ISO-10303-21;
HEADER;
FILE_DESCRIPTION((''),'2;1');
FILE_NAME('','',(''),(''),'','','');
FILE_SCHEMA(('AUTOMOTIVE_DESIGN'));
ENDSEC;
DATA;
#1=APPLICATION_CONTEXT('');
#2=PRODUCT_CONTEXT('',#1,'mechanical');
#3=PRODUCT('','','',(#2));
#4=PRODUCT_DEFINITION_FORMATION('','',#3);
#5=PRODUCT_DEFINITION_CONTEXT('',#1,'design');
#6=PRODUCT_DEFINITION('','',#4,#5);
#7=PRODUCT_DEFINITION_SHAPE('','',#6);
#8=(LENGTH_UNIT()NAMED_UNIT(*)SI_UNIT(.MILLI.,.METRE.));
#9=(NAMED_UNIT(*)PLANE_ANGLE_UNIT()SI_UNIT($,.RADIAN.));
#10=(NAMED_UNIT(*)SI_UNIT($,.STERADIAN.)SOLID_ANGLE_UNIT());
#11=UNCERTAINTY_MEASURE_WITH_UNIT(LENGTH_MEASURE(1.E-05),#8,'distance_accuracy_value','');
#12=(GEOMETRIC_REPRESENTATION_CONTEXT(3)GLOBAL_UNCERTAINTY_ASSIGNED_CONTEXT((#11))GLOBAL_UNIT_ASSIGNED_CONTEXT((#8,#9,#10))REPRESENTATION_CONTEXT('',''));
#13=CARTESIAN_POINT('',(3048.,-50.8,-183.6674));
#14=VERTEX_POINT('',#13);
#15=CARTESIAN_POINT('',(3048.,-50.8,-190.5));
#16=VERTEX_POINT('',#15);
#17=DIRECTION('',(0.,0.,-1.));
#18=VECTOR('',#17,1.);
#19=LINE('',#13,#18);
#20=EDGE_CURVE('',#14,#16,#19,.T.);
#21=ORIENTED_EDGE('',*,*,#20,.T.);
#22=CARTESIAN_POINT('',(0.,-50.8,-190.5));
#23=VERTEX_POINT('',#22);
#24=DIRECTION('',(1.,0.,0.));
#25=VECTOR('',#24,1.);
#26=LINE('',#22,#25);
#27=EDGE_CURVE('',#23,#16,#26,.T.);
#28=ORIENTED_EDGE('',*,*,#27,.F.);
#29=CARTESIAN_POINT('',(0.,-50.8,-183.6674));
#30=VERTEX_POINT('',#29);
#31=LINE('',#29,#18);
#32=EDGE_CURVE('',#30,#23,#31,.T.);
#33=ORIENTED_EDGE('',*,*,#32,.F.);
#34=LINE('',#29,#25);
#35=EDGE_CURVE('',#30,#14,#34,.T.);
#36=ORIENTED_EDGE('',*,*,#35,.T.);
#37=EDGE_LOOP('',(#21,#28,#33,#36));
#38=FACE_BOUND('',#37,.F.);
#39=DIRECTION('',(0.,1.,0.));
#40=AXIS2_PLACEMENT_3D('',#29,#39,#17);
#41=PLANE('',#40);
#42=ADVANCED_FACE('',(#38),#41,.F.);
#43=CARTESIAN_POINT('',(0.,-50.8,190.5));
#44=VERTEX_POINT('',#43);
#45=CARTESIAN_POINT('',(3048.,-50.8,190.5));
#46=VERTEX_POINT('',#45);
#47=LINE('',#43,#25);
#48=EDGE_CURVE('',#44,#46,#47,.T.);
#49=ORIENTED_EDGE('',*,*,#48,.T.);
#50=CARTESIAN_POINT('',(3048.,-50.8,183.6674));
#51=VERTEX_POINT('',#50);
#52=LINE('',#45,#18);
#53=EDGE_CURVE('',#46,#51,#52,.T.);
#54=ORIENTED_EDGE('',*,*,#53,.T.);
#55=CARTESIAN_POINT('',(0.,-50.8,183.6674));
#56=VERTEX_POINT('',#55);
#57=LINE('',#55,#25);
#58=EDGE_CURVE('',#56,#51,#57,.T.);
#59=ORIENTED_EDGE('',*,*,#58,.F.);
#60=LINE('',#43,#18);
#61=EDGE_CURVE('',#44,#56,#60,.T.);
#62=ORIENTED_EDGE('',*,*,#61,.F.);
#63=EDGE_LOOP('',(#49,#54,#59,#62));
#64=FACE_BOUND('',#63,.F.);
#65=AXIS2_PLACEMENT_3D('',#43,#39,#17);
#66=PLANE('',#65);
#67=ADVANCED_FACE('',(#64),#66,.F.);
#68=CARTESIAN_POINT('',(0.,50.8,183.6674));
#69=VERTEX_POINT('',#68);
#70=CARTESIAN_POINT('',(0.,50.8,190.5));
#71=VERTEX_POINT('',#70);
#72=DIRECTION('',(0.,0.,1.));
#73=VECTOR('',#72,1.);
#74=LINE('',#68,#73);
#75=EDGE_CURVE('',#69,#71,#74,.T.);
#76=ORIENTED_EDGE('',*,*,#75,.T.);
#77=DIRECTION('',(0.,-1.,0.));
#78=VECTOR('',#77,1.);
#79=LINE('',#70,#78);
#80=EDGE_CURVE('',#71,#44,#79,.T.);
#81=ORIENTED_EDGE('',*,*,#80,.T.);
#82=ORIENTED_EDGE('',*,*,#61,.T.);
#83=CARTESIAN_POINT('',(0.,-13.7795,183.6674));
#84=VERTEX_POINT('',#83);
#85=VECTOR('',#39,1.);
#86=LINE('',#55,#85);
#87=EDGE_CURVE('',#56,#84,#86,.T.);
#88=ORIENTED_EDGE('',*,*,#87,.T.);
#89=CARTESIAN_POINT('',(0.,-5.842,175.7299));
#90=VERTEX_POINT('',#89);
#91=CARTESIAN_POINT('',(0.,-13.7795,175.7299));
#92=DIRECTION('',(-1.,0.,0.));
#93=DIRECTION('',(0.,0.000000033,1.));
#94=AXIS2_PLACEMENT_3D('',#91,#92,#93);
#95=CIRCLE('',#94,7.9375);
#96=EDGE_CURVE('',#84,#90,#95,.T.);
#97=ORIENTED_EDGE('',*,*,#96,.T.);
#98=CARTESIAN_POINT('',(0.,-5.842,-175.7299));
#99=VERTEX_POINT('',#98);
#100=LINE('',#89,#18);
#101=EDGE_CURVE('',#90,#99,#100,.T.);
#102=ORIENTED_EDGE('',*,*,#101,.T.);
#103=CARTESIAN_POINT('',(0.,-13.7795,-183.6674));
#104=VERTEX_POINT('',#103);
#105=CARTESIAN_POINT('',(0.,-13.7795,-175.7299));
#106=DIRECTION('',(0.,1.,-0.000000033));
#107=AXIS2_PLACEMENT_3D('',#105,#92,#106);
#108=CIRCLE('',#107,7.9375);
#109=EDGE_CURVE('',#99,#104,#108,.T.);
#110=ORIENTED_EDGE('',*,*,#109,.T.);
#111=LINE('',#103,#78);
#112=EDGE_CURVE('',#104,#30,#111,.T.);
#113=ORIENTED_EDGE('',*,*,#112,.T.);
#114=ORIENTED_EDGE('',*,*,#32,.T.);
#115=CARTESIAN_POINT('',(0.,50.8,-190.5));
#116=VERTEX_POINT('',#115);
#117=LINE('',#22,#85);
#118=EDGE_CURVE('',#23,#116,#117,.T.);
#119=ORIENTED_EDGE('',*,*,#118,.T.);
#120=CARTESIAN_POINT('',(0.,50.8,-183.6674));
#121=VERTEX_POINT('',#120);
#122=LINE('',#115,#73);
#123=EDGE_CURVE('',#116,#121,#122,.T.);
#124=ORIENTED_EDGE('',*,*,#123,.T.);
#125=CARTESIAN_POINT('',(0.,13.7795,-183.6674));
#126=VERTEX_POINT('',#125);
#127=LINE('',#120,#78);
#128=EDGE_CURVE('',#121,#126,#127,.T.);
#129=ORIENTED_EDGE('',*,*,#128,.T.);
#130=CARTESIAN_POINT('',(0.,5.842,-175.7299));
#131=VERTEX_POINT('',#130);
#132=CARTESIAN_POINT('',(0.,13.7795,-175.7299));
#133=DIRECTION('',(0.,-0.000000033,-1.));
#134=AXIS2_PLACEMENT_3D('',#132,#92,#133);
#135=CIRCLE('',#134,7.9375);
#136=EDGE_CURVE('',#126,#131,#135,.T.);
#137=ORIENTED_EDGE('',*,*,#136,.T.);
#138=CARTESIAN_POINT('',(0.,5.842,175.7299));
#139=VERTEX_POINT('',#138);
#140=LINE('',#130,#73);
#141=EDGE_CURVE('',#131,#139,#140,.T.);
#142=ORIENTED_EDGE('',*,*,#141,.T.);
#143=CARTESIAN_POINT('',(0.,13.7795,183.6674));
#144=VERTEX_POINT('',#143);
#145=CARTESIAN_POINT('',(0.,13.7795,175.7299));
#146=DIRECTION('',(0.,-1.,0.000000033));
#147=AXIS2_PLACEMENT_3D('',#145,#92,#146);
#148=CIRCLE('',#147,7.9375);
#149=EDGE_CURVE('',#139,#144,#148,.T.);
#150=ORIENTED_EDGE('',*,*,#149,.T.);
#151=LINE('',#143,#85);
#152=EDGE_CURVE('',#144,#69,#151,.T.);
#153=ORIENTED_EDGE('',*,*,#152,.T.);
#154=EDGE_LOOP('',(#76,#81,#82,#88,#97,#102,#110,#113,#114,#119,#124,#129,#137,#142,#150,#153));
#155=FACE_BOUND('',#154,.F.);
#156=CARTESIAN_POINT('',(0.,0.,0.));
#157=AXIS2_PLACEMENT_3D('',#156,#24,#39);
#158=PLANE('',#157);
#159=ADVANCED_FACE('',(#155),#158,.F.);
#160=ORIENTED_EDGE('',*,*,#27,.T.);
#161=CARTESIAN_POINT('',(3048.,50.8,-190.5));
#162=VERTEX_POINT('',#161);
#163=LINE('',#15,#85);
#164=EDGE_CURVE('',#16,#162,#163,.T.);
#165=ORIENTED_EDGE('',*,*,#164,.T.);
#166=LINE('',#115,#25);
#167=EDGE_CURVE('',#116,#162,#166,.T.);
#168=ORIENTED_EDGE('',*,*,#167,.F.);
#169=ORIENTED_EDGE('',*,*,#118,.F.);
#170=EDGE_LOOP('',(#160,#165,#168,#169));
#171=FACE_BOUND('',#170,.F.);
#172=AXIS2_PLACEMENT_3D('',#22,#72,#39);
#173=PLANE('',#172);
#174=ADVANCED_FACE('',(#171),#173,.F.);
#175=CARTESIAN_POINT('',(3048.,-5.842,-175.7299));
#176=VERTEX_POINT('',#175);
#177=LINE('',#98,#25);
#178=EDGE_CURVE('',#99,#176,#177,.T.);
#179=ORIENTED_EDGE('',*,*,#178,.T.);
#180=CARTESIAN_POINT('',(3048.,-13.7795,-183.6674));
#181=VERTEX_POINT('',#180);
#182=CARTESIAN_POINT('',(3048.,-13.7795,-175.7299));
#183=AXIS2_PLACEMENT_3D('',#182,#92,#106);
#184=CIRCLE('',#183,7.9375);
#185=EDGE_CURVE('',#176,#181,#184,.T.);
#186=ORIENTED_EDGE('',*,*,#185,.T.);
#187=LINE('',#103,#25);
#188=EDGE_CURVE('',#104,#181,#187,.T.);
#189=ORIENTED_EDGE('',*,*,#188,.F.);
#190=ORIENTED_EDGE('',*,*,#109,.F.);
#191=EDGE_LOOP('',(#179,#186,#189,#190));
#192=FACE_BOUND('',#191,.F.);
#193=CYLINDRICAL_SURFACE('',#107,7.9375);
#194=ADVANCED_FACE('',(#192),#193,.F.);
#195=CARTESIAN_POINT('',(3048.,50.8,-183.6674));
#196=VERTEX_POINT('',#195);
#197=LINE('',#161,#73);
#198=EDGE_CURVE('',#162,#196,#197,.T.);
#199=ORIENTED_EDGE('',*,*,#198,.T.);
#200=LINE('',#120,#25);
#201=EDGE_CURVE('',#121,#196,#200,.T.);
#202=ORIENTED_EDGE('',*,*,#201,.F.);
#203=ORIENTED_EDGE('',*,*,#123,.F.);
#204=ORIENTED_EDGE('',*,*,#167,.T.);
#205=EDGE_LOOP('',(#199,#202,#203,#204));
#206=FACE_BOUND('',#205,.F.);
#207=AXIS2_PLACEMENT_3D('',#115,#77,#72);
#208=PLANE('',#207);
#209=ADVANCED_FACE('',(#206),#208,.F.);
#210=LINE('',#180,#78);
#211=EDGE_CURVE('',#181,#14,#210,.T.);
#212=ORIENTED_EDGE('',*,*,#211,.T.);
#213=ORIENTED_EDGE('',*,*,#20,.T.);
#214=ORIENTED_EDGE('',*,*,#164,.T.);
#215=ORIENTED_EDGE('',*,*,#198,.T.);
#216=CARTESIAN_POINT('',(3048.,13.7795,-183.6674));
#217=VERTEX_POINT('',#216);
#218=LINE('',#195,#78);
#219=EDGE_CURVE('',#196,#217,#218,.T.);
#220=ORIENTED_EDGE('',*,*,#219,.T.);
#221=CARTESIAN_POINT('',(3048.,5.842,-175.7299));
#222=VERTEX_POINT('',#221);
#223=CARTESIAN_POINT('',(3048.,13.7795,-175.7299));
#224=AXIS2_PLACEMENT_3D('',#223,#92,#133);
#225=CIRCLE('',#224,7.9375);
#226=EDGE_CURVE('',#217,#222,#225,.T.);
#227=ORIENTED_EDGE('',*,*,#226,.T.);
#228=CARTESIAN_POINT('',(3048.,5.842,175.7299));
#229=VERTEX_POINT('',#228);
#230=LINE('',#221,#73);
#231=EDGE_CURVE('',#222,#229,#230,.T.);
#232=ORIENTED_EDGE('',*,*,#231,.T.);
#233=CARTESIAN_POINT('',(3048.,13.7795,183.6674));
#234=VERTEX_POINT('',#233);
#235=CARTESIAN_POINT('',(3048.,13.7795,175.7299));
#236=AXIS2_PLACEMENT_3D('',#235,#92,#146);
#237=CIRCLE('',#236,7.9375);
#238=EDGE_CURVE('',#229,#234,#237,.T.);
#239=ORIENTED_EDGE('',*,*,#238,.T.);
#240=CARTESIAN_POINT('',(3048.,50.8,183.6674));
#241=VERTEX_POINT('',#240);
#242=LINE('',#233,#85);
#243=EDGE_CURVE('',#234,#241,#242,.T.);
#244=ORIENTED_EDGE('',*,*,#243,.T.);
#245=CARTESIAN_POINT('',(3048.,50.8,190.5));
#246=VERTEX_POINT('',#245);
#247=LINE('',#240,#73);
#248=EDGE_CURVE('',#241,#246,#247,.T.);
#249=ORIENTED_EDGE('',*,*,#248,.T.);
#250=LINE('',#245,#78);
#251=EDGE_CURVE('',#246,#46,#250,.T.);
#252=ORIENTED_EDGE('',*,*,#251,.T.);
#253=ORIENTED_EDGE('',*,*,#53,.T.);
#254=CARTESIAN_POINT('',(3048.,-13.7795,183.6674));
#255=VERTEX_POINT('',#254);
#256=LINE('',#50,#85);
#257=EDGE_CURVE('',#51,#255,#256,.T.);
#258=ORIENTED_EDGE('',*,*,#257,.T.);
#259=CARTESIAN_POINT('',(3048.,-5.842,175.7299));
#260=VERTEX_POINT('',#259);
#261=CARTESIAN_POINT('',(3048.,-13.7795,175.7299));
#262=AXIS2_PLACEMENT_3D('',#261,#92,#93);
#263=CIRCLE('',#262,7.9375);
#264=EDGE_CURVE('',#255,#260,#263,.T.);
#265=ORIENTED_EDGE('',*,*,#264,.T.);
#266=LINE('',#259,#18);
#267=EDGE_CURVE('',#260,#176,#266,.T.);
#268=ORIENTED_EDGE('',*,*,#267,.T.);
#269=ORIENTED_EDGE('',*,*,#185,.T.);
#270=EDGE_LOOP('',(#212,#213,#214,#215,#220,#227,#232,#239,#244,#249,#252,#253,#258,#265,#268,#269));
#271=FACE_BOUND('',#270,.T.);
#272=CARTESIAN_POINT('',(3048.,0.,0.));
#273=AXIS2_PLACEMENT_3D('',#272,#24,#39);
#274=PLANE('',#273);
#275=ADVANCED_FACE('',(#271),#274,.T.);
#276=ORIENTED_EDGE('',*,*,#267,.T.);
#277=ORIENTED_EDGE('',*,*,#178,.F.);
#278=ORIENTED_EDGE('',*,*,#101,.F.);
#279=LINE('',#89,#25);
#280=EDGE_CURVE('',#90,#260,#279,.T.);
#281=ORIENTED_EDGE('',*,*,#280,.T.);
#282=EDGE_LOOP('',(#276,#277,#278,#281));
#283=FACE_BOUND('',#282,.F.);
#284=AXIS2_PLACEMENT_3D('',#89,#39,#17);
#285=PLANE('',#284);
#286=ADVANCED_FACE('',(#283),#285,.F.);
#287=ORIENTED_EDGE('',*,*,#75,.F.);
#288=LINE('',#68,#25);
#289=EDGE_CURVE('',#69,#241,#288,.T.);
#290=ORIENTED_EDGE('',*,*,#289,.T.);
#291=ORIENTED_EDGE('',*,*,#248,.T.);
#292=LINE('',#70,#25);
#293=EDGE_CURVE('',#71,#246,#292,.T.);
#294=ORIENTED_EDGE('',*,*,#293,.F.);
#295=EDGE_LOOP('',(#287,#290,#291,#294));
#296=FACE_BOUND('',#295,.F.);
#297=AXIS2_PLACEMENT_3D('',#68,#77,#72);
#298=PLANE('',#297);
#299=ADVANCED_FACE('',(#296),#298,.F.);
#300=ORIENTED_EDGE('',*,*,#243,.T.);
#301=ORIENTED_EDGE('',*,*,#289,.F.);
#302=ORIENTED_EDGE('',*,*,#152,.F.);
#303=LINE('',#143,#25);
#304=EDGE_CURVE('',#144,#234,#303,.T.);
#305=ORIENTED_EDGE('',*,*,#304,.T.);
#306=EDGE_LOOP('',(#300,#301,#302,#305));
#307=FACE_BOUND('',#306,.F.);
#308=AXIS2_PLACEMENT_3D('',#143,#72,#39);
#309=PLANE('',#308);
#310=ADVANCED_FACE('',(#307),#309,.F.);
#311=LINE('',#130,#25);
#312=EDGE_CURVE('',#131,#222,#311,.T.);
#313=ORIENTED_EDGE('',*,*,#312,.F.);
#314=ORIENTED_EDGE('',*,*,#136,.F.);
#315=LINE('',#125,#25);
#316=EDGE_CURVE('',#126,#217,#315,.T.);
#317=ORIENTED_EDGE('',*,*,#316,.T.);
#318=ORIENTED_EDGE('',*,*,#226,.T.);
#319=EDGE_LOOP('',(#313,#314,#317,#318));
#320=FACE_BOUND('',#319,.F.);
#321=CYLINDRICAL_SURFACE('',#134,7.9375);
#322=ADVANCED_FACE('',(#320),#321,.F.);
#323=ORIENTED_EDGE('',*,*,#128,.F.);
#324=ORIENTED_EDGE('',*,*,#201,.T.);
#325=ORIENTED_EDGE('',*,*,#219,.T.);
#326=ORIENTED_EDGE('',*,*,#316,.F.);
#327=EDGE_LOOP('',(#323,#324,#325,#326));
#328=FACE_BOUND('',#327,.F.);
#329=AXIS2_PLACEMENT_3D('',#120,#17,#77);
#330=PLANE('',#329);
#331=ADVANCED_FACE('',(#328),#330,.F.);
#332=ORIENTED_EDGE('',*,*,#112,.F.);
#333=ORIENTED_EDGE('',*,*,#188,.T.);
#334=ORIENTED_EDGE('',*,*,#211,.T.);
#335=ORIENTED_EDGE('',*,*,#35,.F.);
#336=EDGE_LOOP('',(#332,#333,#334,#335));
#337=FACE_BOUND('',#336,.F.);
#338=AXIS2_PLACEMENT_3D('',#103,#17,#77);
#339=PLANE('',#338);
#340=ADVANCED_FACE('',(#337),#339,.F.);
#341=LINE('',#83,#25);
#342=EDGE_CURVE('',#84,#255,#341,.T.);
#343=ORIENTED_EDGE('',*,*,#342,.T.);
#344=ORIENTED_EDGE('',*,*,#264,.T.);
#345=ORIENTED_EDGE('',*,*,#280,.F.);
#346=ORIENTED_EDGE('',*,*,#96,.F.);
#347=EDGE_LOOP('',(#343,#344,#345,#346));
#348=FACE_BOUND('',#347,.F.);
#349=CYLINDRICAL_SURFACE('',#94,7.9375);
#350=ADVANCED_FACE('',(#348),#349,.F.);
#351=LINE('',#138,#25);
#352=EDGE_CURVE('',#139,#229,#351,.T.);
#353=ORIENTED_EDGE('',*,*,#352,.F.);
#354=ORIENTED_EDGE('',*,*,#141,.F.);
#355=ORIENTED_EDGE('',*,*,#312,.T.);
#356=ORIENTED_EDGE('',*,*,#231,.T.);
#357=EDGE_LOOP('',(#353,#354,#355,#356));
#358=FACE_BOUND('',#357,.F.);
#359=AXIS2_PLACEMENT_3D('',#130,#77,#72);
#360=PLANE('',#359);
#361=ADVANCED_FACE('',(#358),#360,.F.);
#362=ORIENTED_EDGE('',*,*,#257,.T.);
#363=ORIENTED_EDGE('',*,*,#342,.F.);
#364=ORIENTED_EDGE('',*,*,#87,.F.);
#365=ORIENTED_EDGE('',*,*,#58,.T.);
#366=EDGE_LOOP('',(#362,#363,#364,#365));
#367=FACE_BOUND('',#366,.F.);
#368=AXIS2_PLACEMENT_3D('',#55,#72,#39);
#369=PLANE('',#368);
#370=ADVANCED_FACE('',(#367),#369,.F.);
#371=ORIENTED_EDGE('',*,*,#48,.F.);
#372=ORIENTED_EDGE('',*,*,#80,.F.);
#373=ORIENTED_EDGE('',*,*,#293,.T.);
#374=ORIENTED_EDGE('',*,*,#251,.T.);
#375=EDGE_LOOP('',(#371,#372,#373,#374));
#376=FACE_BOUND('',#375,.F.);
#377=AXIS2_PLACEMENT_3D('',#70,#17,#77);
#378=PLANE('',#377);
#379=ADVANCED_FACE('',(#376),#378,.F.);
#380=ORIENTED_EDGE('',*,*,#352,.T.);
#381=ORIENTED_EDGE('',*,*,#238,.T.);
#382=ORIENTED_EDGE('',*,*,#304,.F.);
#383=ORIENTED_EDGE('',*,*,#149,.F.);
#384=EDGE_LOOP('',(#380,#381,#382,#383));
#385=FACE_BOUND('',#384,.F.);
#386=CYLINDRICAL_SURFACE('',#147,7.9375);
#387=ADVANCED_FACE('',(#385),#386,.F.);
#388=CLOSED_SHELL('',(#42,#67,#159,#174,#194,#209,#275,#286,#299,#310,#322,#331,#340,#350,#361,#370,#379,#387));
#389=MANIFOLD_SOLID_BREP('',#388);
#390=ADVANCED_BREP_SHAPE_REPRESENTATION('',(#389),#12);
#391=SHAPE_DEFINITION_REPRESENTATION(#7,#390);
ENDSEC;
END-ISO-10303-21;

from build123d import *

# Parameters (mm, degrees)
F1_DEPTH = 3048


with BuildPart() as f1:
    # F0 (on Right) → F1 (new body)
    with BuildSketch(Plane.YZ):
        with BuildLine():
            Line((-5.842, 175.7299), (-5.842, 0))
            Line((-5.842, 0), (-5.842, -175.7299))
            ThreePointArc((-5.842, -175.7299), (-8.16684, -181.34256), (-13.7795, -183.6674))
            Line((-13.7795, -183.6674), (-50.8, -183.6674))
            Line((-50.8, -183.6674), (-50.8, -190.5))
            Line((-50.8, -190.5), (0, -190.5))
            Line((0, -190.5), (50.8, -190.5))
            Line((50.8, -190.5), (50.8, -183.6674))
            Line((50.8, -183.6674), (13.7795, -183.6674))
            ThreePointArc((13.7795, -183.6674), (8.16684, -181.34256), (5.842, -175.7299))
            Line((5.842, -175.7299), (5.842, 0))
            Line((5.842, 0), (5.842, 175.7299))
            ThreePointArc((5.842, 175.7299), (8.16684, 181.34256), (13.7795, 183.6674))
            Line((13.7795, 183.6674), (50.8, 183.6674))
            Line((50.8, 183.6674), (50.8, 190.5))
            Line((50.8, 190.5), (0, 190.5))
            Line((0, 190.5), (-50.8, 190.5))
            Line((-50.8, 190.5), (-50.8, 183.6674))
            Line((-50.8, 183.6674), (-13.7795, 183.6674))
            ThreePointArc((-13.7795, 183.6674), (-8.16684, 181.34256), (-5.842, 175.7299))
        make_face()
    extrude(amount=F1_DEPTH)


solid = f1.part
